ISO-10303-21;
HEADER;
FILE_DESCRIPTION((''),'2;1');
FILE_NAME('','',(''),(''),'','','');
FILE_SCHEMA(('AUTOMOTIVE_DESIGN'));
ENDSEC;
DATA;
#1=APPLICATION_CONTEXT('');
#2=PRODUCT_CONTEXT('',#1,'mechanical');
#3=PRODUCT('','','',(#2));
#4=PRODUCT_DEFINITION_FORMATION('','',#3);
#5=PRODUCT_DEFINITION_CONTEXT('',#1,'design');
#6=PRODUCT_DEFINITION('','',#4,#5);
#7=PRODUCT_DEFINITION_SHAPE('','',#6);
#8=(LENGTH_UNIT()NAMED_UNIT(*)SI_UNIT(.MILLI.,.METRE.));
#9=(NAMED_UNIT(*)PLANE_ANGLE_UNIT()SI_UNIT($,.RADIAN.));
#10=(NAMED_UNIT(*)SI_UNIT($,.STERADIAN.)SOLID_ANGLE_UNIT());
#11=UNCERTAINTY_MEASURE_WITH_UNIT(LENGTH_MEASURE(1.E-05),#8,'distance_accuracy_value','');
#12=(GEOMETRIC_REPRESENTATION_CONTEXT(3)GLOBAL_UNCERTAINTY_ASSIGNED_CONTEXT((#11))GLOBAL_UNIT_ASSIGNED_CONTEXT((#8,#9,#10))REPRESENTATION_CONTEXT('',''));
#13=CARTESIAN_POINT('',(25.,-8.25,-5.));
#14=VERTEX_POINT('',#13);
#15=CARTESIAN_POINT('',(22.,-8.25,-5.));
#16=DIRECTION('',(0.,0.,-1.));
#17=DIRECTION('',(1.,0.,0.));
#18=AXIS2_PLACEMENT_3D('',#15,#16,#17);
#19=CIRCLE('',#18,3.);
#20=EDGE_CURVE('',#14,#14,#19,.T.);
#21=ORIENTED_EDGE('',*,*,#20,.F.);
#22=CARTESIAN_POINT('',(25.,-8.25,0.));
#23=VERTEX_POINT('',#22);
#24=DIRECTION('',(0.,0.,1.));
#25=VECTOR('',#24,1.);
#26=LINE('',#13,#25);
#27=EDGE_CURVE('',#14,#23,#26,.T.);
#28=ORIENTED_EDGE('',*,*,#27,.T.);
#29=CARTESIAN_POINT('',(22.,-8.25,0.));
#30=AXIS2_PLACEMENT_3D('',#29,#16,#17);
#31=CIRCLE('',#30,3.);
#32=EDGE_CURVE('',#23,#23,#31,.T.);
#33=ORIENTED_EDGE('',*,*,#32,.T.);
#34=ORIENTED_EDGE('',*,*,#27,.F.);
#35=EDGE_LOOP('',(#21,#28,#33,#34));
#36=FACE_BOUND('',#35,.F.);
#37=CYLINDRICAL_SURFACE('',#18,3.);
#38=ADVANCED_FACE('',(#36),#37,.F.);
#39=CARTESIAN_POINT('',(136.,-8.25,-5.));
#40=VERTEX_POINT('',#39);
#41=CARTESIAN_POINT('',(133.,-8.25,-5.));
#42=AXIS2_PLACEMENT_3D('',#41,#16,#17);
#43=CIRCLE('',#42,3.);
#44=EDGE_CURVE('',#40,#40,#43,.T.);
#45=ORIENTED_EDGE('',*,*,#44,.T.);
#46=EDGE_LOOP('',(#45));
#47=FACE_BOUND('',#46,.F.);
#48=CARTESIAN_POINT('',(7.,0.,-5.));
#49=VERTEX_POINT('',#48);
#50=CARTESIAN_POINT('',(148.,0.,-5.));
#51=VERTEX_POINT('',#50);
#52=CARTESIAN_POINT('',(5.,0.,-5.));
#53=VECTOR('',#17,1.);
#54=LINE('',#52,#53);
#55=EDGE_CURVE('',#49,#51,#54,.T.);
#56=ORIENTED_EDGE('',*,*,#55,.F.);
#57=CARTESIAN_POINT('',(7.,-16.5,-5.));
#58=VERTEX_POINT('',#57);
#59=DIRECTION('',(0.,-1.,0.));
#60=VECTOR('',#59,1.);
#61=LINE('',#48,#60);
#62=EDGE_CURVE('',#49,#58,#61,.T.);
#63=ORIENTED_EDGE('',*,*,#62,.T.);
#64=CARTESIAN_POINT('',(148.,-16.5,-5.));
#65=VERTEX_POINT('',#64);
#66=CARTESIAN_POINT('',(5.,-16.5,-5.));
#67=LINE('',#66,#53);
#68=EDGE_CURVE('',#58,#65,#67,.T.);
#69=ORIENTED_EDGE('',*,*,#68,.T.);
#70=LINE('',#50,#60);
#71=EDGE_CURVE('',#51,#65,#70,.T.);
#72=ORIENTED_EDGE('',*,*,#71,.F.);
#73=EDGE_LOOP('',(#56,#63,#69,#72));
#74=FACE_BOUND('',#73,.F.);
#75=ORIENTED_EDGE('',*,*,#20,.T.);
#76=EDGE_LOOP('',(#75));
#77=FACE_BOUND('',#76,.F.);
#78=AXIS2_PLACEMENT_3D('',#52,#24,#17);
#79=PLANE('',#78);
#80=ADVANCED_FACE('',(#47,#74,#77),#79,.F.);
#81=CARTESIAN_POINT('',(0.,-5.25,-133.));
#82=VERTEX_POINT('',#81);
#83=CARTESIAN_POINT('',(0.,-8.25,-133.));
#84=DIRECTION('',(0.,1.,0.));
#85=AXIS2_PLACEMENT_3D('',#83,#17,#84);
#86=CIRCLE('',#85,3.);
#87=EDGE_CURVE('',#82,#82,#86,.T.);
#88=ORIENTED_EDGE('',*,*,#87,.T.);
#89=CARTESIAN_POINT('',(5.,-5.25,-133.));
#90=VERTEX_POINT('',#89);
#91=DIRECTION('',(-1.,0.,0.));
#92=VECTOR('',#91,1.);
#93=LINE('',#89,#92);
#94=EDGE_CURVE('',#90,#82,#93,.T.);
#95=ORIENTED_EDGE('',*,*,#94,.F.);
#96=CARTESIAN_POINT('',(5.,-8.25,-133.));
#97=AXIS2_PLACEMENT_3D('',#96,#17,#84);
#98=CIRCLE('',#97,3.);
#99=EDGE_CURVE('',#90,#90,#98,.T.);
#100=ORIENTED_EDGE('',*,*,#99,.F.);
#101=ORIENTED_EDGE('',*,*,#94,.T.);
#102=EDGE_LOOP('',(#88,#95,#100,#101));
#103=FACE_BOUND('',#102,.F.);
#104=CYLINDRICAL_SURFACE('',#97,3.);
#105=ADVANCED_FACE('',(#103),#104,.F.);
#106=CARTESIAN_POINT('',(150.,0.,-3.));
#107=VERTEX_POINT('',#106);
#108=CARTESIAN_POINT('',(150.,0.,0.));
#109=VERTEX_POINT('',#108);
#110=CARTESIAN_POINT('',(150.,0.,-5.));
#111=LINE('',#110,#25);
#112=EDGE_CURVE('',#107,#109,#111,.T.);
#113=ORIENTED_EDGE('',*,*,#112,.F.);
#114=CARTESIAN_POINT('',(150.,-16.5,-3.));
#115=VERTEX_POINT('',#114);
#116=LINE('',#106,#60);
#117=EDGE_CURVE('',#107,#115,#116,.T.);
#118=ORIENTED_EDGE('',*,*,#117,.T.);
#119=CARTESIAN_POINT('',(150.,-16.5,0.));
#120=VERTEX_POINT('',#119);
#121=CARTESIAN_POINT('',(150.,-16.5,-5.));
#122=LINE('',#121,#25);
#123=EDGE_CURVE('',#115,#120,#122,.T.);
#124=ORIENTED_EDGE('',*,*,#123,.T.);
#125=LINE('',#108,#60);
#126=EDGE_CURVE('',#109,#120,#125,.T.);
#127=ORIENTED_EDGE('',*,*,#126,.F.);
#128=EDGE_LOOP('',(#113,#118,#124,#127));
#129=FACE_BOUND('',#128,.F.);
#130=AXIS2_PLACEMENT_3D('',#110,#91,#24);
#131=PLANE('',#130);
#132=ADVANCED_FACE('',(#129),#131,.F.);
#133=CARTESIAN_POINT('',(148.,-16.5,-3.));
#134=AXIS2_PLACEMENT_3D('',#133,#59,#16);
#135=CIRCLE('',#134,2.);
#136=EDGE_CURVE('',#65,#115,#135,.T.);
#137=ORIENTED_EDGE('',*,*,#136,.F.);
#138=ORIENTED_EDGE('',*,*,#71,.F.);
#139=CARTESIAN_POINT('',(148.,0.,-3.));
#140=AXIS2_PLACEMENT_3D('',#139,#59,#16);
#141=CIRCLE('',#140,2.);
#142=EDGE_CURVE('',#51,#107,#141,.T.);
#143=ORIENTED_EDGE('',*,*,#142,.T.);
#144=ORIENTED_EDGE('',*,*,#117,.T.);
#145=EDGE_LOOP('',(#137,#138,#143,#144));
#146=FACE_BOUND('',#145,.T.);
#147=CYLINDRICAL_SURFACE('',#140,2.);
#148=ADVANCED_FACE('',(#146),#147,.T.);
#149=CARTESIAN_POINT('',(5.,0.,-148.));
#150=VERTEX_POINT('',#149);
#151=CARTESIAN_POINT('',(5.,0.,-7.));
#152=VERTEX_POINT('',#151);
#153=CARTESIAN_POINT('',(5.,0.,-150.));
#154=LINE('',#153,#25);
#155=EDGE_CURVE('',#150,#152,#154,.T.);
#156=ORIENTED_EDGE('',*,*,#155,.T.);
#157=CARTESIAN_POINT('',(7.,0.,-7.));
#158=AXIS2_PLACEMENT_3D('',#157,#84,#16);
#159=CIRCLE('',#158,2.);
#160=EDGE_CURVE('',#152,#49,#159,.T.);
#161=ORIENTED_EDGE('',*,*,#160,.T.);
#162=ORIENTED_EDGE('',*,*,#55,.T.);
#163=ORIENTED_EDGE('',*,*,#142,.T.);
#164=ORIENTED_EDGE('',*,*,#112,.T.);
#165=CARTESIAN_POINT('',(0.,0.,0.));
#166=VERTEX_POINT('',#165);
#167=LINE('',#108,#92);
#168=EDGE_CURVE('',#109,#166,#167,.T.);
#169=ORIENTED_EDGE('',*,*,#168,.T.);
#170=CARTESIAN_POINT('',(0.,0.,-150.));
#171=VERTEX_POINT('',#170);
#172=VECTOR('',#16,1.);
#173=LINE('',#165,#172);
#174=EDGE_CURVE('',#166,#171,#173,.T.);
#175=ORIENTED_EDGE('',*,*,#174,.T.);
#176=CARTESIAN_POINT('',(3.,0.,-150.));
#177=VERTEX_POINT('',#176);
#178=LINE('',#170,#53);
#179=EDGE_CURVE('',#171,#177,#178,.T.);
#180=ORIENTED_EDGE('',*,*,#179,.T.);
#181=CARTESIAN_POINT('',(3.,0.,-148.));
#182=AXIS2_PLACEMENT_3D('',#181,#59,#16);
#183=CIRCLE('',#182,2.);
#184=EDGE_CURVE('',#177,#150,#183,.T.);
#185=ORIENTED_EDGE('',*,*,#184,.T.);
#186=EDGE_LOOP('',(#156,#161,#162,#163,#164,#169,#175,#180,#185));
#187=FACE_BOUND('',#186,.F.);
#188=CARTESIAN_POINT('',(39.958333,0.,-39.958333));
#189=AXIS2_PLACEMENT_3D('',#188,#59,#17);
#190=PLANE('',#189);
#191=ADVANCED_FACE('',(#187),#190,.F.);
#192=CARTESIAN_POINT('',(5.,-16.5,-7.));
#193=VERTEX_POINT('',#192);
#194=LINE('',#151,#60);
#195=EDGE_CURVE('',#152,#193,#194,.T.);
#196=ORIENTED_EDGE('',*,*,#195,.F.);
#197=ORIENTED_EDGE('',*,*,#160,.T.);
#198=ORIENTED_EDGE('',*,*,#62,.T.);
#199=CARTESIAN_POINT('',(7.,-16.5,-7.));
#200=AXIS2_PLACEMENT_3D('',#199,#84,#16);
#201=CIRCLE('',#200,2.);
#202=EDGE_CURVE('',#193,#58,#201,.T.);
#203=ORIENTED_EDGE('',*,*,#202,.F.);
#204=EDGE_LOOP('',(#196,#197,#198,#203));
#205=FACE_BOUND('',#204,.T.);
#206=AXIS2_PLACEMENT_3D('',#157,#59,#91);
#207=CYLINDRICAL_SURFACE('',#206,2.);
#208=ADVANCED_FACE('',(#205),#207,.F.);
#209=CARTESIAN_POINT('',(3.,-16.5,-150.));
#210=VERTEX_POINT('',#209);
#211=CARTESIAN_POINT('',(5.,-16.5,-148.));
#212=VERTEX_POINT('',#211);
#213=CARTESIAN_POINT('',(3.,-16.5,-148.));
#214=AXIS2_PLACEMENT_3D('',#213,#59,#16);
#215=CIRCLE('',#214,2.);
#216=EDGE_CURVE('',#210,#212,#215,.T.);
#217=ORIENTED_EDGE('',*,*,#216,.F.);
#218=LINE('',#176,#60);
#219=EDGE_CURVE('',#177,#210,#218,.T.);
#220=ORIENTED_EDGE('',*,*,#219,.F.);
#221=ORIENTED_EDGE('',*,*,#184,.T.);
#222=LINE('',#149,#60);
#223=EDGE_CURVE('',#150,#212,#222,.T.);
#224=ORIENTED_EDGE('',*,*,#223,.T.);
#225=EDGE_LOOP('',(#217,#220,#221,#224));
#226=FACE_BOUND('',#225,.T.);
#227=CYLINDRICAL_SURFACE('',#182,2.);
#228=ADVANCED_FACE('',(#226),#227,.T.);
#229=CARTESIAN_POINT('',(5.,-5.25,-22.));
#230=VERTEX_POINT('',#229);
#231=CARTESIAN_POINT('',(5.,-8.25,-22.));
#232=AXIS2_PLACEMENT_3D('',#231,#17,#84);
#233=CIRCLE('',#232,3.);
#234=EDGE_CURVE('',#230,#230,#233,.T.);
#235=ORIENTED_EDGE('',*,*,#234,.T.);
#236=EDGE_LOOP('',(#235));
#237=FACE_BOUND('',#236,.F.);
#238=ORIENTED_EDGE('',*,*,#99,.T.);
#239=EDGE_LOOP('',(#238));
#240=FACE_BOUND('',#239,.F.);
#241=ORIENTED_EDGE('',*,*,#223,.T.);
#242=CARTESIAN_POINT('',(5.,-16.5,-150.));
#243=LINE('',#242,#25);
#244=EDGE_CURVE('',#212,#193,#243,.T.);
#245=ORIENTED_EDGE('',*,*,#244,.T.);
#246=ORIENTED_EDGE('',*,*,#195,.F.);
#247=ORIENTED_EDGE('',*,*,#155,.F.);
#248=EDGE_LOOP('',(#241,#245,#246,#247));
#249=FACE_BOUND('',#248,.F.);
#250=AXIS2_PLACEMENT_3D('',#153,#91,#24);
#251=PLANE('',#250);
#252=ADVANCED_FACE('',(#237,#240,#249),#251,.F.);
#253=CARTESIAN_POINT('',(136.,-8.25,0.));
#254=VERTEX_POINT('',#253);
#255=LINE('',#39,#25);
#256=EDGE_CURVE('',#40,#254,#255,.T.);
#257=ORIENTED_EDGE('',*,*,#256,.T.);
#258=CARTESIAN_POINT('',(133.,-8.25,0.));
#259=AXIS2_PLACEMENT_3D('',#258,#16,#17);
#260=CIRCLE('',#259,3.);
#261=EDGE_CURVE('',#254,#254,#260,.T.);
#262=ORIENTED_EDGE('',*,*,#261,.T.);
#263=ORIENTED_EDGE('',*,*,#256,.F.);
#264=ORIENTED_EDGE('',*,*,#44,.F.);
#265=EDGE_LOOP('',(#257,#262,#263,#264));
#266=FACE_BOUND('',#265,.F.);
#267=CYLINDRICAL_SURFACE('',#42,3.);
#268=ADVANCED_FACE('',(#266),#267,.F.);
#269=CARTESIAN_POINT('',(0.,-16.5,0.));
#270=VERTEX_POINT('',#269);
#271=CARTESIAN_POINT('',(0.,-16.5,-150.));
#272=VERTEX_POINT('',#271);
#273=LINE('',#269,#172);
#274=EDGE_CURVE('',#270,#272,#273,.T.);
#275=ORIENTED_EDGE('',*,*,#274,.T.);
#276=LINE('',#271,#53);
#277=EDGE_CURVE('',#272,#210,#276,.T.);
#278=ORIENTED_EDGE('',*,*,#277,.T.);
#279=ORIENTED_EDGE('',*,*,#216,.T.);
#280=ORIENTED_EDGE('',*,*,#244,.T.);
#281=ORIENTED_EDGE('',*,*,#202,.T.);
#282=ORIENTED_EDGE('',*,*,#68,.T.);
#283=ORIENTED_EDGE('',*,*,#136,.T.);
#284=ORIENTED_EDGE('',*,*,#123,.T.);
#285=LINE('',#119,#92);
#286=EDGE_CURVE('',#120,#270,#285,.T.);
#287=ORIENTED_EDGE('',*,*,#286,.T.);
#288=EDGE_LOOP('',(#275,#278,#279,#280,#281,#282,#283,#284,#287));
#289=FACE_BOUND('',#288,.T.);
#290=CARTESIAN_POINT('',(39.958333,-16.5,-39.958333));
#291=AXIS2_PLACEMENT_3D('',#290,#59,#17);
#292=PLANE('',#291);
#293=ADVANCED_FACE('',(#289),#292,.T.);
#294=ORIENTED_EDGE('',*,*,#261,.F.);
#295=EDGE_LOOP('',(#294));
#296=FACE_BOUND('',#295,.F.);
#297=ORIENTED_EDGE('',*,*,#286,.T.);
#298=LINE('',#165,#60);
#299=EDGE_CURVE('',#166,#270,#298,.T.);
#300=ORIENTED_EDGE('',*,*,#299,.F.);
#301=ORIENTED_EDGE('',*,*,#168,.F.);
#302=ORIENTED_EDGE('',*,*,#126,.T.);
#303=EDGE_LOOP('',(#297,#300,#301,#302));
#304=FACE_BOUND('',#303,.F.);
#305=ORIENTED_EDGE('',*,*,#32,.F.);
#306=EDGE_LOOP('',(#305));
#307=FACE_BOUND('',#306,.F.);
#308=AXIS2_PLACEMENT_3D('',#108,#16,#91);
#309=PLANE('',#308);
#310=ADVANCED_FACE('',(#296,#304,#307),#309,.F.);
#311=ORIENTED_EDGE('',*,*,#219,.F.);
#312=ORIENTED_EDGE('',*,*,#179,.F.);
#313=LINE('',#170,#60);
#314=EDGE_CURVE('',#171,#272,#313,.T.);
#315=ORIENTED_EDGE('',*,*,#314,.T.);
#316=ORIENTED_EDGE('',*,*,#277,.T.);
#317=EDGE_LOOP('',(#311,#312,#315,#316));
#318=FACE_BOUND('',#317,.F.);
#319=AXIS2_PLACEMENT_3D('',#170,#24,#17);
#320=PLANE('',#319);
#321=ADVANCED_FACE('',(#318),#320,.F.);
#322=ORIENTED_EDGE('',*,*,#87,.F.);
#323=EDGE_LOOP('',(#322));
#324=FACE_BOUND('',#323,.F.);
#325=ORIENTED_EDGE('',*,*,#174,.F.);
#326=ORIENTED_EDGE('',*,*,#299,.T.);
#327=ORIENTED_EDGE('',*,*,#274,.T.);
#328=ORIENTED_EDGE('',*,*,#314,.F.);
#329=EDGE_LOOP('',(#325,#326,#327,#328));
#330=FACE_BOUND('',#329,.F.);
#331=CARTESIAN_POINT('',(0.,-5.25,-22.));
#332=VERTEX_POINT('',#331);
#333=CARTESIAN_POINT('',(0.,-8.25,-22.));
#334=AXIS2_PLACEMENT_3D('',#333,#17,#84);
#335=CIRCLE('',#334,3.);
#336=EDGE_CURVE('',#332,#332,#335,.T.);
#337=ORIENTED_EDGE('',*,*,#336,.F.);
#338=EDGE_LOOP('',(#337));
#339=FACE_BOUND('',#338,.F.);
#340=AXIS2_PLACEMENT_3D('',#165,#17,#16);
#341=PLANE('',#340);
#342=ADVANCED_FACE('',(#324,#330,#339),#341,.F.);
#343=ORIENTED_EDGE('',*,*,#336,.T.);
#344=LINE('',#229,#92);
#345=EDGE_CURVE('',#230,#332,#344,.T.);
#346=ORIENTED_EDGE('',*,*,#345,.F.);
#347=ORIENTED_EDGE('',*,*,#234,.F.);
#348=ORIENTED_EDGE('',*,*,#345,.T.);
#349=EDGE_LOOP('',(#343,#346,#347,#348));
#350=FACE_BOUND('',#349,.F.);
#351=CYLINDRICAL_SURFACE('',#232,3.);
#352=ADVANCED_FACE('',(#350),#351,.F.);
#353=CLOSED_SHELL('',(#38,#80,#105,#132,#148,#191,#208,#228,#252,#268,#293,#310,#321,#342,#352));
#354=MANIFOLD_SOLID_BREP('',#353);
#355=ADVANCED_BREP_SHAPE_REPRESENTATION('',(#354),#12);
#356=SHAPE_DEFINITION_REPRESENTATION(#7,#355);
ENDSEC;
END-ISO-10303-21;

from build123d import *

# Parameters (mm, degrees)
F1_DEPTH = 16.5
F2_R     = 2
F3_R     = 3
F4_DEPTH = 25
F5_R     = 3
F6_DEPTH = 25


with BuildPart() as f1:
    # F0 (on Front) → F1 (new body)
    with BuildSketch(Plane.XZ):
        Polygon((5, 0), (0, 0), (0, -5), (0, -150), (5, -150), (5, -5), (150, -5), (150, 0), align=None)
    extrude(amount=F1_DEPTH)

    # F2
    f2_edges = [f1.edges().sort_by_distance(p)[0] for p in [
        (5, -8.25, -5),
        (150, -8.25, -5),
        (5, -8.25, -150),
    ]]
    fillet(f2_edges, radius=F2_R)

    # F3 (on face) → F4 (cut)
    with BuildSketch(Plane(origin=(0, 0, -5), x_dir=(1, 0, 0), z_dir=(0, 0, -1))):
        with Locations((133, 8.25)):
            Circle(F3_R)
        with Locations((22, 8.25)):
            Circle(F3_R)
    extrude(amount=-F4_DEPTH, mode=Mode.SUBTRACT)

    # F5 (on face) → F6 (cut)
    with BuildSketch(Plane.YZ.offset(5)):
        with Locations((-8.25, -133)):
            Circle(F5_R)
        with Locations((-8.25, -22)):
            Circle(F5_R)
    extrude(amount=-F6_DEPTH, mode=Mode.SUBTRACT)


solid = f1.part
